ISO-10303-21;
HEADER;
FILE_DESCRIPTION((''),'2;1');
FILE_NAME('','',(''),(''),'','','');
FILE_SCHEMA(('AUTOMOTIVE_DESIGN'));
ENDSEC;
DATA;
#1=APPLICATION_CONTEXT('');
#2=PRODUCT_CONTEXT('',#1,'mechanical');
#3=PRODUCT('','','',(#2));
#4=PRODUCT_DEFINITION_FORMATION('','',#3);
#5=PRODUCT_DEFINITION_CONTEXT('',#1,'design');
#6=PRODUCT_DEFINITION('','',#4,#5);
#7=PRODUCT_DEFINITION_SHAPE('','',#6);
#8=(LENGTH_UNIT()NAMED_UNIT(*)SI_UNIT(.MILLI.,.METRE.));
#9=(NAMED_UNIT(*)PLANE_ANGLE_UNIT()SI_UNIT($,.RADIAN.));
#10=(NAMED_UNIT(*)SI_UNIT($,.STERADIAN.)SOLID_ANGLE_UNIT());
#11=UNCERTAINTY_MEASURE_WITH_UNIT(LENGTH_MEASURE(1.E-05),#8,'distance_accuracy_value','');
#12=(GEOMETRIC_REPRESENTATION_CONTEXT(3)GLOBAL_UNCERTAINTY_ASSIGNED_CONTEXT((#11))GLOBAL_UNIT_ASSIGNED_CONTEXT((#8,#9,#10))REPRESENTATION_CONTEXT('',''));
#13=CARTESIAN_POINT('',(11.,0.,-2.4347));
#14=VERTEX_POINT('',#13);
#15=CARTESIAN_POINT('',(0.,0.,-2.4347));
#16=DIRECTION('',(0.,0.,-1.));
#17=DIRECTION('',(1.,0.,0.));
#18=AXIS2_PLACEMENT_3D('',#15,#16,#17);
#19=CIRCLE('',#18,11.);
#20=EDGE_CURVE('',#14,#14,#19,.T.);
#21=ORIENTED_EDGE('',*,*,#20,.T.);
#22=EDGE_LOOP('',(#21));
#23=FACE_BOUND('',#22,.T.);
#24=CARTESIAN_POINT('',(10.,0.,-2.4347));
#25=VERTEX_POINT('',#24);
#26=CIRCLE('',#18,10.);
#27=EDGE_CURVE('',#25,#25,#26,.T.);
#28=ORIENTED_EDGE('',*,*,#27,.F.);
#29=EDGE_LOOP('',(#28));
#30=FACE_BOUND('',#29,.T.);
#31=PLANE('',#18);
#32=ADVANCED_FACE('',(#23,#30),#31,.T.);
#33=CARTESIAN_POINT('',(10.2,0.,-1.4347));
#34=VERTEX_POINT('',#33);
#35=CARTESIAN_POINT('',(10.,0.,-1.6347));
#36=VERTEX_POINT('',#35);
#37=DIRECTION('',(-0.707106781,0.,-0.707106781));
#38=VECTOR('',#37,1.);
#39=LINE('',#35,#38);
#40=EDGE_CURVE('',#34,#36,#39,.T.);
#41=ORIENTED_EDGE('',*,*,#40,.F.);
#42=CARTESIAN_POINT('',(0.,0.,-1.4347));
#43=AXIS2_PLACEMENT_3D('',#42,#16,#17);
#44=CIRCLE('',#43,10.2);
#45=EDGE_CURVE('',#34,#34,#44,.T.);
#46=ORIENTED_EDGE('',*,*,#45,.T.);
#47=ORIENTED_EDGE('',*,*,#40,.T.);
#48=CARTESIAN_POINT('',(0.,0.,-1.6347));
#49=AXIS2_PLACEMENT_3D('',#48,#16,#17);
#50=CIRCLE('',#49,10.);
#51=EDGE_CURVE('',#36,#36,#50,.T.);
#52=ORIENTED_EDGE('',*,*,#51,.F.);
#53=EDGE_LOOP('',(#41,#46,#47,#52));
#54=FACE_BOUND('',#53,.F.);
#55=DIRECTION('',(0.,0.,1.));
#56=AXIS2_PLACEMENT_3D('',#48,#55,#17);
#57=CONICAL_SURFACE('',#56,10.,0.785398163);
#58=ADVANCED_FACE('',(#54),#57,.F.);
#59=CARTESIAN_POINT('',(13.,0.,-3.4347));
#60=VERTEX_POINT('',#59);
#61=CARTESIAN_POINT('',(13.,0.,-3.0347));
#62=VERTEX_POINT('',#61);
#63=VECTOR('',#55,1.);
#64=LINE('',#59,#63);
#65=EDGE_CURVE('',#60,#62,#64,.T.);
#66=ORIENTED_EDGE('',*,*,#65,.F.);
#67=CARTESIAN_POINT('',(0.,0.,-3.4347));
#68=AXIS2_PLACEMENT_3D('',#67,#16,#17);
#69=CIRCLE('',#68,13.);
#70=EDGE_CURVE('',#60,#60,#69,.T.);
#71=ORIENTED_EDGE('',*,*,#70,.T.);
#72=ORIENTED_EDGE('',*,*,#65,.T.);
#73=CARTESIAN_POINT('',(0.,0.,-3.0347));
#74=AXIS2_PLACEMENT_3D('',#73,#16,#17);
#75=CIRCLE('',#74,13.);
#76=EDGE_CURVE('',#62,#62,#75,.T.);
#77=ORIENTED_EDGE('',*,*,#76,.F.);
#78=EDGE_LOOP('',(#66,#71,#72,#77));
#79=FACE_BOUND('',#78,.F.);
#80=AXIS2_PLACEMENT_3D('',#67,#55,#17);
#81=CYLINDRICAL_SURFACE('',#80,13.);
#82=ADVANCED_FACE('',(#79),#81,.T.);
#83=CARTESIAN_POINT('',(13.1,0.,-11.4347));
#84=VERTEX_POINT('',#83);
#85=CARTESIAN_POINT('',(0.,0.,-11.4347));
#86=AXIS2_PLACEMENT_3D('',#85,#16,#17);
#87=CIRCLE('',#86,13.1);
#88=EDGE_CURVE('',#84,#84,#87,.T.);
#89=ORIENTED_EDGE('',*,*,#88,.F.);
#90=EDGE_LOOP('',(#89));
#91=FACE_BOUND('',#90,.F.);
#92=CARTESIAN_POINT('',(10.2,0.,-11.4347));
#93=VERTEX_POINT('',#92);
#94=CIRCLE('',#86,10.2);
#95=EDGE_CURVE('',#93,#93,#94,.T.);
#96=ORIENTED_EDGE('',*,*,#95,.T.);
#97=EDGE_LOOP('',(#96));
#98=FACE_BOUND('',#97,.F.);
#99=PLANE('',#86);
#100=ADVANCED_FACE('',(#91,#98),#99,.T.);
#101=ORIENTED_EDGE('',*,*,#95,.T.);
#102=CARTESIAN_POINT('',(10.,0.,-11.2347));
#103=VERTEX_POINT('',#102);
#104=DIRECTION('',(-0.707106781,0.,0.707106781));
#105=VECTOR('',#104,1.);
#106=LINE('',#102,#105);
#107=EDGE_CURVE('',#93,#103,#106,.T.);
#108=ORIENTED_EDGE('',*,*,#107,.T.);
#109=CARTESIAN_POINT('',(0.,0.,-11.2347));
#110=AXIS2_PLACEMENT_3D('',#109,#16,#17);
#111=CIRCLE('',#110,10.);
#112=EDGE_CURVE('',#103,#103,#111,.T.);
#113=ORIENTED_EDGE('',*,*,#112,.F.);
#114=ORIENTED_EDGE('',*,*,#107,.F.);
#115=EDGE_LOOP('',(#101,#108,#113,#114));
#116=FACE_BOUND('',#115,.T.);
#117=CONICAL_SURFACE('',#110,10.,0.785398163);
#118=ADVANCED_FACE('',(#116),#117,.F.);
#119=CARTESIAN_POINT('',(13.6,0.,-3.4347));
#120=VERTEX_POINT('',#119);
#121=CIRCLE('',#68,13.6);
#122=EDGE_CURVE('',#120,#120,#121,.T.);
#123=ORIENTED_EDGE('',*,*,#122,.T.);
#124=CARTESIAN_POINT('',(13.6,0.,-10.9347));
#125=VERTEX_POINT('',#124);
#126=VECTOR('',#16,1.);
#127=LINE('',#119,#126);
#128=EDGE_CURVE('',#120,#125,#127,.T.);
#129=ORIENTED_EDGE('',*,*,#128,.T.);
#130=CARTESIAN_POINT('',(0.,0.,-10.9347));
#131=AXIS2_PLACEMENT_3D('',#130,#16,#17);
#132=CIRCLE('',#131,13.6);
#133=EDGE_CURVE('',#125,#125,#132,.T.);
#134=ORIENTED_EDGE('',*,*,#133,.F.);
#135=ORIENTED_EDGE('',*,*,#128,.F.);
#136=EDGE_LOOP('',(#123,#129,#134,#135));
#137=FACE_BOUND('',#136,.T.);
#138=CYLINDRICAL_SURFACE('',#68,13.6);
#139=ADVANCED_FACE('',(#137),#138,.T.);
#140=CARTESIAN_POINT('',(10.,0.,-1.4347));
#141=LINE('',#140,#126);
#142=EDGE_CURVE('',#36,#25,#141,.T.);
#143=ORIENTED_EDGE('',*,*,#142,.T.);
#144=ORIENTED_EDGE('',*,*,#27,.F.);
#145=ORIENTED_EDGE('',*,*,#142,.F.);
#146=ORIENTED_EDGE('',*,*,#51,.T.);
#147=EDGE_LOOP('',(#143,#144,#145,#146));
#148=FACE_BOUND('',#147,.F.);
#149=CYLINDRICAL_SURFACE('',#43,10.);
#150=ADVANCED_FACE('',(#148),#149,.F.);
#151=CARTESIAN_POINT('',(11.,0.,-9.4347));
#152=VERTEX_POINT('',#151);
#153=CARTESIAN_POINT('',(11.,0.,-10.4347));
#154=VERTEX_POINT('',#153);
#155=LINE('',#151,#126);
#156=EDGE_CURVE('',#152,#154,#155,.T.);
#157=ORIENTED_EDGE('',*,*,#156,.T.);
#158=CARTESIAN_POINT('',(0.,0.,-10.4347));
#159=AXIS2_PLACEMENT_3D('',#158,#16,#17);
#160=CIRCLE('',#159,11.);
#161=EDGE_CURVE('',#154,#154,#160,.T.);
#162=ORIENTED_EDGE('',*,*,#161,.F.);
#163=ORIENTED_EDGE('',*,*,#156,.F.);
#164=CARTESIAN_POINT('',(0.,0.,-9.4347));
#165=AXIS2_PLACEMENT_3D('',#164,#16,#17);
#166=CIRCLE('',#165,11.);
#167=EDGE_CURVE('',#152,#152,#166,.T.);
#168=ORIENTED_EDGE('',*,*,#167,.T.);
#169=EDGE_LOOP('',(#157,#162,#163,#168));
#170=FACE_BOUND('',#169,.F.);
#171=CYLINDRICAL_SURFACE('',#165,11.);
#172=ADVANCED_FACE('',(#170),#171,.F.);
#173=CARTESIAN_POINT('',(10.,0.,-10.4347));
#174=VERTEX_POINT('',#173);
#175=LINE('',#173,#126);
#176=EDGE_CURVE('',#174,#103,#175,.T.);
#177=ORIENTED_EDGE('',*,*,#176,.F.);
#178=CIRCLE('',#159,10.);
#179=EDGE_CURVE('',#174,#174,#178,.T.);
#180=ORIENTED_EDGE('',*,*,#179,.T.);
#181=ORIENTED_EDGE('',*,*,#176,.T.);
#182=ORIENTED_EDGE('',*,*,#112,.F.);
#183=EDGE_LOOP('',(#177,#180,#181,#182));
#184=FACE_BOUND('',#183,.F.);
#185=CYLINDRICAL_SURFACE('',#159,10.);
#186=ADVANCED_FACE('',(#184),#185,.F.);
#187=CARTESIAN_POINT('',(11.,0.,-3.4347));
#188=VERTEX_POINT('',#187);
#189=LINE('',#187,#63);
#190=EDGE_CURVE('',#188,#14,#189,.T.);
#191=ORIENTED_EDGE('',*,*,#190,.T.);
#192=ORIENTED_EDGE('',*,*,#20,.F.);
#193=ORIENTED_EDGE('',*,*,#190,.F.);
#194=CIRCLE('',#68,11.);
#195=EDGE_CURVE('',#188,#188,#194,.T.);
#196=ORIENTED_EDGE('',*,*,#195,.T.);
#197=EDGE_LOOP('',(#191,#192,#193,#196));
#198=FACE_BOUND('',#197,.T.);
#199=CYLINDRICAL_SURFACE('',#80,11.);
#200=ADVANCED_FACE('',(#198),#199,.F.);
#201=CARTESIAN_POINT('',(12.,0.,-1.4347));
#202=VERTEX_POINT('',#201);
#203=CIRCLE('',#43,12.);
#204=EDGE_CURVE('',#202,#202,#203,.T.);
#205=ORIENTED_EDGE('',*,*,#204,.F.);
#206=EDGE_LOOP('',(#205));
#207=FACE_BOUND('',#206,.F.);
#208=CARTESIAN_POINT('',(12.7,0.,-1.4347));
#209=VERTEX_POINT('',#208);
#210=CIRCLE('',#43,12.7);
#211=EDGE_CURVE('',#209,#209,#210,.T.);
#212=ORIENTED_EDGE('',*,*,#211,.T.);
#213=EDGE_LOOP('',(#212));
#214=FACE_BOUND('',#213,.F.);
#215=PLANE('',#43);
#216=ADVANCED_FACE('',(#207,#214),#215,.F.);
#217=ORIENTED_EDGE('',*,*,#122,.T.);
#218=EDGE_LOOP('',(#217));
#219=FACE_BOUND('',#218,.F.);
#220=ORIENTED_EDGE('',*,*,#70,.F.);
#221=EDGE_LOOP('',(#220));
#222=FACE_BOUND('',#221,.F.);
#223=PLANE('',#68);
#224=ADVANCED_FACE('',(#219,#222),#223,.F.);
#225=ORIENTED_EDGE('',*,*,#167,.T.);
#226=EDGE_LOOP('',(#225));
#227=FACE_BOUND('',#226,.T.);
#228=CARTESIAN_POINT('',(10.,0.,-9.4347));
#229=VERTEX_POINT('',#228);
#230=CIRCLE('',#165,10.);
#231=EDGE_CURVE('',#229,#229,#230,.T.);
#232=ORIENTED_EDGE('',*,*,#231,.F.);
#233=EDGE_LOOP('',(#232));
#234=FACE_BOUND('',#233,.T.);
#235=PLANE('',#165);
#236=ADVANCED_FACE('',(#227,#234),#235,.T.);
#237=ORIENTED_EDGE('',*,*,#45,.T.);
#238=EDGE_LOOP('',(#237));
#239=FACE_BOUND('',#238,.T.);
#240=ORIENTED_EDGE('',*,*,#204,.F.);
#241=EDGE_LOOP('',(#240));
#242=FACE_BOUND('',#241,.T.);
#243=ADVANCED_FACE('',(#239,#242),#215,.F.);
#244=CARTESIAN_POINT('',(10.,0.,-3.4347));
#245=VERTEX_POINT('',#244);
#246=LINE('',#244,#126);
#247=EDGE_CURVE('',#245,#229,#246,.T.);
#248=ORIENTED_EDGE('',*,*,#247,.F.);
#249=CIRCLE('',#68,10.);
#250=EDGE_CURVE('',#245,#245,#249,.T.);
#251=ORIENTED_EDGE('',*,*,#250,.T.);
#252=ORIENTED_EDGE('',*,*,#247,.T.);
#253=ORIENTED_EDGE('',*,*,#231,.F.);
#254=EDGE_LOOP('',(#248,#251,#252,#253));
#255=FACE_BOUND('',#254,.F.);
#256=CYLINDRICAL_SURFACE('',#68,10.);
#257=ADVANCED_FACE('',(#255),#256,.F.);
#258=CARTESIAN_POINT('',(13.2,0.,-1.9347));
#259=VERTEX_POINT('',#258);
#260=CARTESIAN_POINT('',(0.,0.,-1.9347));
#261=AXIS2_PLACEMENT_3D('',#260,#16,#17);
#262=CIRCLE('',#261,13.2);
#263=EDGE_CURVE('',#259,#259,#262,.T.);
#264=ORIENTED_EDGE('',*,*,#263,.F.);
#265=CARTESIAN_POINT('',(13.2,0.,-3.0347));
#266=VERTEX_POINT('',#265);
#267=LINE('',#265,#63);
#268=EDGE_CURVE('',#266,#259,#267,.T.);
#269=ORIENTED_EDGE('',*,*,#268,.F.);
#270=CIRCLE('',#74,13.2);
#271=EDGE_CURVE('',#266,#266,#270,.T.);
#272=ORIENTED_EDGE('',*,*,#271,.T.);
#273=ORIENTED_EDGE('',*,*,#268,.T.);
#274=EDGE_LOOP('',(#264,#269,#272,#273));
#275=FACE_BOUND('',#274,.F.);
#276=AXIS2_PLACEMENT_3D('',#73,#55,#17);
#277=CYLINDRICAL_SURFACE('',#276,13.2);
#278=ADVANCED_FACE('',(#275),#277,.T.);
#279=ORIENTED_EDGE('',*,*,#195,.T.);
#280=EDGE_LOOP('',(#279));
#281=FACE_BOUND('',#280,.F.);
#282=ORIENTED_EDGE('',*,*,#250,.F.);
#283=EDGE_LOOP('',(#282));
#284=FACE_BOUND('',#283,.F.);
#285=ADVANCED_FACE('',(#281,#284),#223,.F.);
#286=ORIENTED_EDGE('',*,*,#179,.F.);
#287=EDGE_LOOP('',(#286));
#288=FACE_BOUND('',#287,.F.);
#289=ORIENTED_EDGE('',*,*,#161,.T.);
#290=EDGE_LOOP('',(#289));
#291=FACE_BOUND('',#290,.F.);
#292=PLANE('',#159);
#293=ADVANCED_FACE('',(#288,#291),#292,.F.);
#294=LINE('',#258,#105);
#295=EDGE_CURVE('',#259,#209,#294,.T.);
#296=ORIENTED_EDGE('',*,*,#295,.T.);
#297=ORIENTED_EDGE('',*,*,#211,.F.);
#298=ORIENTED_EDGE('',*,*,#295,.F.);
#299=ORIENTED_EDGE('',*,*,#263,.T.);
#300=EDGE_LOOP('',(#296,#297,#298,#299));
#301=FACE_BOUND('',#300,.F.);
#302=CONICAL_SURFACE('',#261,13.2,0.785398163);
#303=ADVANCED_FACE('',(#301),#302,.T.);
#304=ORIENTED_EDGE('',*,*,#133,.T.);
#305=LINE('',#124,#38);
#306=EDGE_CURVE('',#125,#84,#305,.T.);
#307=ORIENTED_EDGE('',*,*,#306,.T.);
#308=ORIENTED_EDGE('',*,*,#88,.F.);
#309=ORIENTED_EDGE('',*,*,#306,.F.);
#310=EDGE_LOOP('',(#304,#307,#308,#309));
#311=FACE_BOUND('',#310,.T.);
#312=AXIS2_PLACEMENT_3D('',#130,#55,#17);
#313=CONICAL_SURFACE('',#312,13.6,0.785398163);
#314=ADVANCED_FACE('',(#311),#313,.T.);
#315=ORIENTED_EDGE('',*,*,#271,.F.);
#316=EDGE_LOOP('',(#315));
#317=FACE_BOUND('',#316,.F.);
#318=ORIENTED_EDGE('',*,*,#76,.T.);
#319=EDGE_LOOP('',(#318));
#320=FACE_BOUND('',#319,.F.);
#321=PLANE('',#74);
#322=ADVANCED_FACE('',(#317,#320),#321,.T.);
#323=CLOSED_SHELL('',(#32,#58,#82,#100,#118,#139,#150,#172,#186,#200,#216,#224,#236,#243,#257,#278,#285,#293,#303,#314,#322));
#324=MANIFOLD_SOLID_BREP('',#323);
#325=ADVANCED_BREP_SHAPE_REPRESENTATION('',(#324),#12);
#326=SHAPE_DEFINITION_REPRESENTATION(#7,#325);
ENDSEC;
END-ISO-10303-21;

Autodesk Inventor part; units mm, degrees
ref_plane "YZ Plane" through (0, 0, 0) normal (1, 0, 0) x (0, 1, 0)
ref_plane "XZ Plane" through (0, 0, 0) normal (0, 1, 0) x (-1, 0, 0)
ref_plane "XY Plane" through (0, 0, 0) normal (0, 0, 1) x (1, 0, 0)
sketch "Sketch4" plane through (0, 0, 0) normal (0, 1, 0) x (-1, 0, 0)
  line L0 (-13.6, -3.4347) -> (-13.6, -11.4347)
  line L1 (-11, -9.4347) -> (-10, -9.4347)
  line L2 (-11, -3.4347) -> (-10, -3.4347)
  line L3 (-10, -3.4347) -> (-10, -9.4347)
  line L4 (0, 0) -> (0, -21.3586) construction
  line L5 (-10, -11.4347) -> (-13.6, -11.4347)
  line L6 (-10, -1.4347) -> (-12, -1.4347)
  line L7 (-11, -9.4347) -> (-11, -10.4347)
  line L8 (-11, -10.4347) -> (-10, -10.4347)
  line L9 (-11, -3.4347) -> (-11, -2.4347)
  line L10 (-11, -2.4347) -> (-10, -2.4347)
  line L11 (-10, -1.4347) -> (-10, -2.4347)
  line L12 (-10, -10.4347) -> (-10, -11.4347)
  line L13 (-13.2, -1.4347) -> (-12, -1.4347)
  line L14 (-13.2, -3.0347) -> (-13.2, -1.4347)
  line L15 (-13.6, -3.4347) -> (-13, -3.4347)
  line L16 (-13, -3.4347) -> (-13, -3.0347)
  line L17 (-13, -3.0347) -> (-13.2, -3.0347)
  point P0 (-10, -10.9347)
  point P1 (-11, -9.9347)
  dimension "d23" = 8
  dimension "d28" = 6
  dimension "d29" = 10
  dimension "d37" = 1
  dimension "d38" = 1
  dimension "d39" = 10
  dimension "d40" = 11
  dimension "d41" = 11
  dimension "d42" = 1
  dimension "d43" = 10
  dimension "d44" = 2
  dimension "d63" = 0.6
  dimension "d64" = 13.6
  dimension "d65" = 13.2
revolve "Revolution1" add sketch "Sketch4" angle 360 about axis through (0, 0, 0) along (0, 0, -1)
chamfer "Chamfer1" distance 0.5 angle 45 1 edges at (-13.2, 0, -1.4347)
sketch "Sketch5" plane through (0, 0, -3.4347) normal (0, 0, 1) x (1, 0, 0)
  circle A0 centre (0, 0) radius 13.6 projected
  point P0 (13.6, 0)
  point P1 (-13.6, 0)
ref_plane "Work Plane1" through (13.6, 0, -3.4347) normal (1, 0, 0) x (0, 1, 0)
ref_plane "Work Plane2" through (-13.6, 0, -3.4347) normal (-1, 0, 0) x (0, -1, 0)
chamfer "Chamfer2" distance 0.5 angle 45 1 edges at (-13.6, 0, -11.4347)
chamfer "Chamfer3" distance 0.2 angle 45 1 edges at (-10, 0, -1.4347)
chamfer "Chamfer4" distance 0.2 angle 45 1 edges at (-10, 0, -11.4347)
properties part number "tuleja łożyska"
